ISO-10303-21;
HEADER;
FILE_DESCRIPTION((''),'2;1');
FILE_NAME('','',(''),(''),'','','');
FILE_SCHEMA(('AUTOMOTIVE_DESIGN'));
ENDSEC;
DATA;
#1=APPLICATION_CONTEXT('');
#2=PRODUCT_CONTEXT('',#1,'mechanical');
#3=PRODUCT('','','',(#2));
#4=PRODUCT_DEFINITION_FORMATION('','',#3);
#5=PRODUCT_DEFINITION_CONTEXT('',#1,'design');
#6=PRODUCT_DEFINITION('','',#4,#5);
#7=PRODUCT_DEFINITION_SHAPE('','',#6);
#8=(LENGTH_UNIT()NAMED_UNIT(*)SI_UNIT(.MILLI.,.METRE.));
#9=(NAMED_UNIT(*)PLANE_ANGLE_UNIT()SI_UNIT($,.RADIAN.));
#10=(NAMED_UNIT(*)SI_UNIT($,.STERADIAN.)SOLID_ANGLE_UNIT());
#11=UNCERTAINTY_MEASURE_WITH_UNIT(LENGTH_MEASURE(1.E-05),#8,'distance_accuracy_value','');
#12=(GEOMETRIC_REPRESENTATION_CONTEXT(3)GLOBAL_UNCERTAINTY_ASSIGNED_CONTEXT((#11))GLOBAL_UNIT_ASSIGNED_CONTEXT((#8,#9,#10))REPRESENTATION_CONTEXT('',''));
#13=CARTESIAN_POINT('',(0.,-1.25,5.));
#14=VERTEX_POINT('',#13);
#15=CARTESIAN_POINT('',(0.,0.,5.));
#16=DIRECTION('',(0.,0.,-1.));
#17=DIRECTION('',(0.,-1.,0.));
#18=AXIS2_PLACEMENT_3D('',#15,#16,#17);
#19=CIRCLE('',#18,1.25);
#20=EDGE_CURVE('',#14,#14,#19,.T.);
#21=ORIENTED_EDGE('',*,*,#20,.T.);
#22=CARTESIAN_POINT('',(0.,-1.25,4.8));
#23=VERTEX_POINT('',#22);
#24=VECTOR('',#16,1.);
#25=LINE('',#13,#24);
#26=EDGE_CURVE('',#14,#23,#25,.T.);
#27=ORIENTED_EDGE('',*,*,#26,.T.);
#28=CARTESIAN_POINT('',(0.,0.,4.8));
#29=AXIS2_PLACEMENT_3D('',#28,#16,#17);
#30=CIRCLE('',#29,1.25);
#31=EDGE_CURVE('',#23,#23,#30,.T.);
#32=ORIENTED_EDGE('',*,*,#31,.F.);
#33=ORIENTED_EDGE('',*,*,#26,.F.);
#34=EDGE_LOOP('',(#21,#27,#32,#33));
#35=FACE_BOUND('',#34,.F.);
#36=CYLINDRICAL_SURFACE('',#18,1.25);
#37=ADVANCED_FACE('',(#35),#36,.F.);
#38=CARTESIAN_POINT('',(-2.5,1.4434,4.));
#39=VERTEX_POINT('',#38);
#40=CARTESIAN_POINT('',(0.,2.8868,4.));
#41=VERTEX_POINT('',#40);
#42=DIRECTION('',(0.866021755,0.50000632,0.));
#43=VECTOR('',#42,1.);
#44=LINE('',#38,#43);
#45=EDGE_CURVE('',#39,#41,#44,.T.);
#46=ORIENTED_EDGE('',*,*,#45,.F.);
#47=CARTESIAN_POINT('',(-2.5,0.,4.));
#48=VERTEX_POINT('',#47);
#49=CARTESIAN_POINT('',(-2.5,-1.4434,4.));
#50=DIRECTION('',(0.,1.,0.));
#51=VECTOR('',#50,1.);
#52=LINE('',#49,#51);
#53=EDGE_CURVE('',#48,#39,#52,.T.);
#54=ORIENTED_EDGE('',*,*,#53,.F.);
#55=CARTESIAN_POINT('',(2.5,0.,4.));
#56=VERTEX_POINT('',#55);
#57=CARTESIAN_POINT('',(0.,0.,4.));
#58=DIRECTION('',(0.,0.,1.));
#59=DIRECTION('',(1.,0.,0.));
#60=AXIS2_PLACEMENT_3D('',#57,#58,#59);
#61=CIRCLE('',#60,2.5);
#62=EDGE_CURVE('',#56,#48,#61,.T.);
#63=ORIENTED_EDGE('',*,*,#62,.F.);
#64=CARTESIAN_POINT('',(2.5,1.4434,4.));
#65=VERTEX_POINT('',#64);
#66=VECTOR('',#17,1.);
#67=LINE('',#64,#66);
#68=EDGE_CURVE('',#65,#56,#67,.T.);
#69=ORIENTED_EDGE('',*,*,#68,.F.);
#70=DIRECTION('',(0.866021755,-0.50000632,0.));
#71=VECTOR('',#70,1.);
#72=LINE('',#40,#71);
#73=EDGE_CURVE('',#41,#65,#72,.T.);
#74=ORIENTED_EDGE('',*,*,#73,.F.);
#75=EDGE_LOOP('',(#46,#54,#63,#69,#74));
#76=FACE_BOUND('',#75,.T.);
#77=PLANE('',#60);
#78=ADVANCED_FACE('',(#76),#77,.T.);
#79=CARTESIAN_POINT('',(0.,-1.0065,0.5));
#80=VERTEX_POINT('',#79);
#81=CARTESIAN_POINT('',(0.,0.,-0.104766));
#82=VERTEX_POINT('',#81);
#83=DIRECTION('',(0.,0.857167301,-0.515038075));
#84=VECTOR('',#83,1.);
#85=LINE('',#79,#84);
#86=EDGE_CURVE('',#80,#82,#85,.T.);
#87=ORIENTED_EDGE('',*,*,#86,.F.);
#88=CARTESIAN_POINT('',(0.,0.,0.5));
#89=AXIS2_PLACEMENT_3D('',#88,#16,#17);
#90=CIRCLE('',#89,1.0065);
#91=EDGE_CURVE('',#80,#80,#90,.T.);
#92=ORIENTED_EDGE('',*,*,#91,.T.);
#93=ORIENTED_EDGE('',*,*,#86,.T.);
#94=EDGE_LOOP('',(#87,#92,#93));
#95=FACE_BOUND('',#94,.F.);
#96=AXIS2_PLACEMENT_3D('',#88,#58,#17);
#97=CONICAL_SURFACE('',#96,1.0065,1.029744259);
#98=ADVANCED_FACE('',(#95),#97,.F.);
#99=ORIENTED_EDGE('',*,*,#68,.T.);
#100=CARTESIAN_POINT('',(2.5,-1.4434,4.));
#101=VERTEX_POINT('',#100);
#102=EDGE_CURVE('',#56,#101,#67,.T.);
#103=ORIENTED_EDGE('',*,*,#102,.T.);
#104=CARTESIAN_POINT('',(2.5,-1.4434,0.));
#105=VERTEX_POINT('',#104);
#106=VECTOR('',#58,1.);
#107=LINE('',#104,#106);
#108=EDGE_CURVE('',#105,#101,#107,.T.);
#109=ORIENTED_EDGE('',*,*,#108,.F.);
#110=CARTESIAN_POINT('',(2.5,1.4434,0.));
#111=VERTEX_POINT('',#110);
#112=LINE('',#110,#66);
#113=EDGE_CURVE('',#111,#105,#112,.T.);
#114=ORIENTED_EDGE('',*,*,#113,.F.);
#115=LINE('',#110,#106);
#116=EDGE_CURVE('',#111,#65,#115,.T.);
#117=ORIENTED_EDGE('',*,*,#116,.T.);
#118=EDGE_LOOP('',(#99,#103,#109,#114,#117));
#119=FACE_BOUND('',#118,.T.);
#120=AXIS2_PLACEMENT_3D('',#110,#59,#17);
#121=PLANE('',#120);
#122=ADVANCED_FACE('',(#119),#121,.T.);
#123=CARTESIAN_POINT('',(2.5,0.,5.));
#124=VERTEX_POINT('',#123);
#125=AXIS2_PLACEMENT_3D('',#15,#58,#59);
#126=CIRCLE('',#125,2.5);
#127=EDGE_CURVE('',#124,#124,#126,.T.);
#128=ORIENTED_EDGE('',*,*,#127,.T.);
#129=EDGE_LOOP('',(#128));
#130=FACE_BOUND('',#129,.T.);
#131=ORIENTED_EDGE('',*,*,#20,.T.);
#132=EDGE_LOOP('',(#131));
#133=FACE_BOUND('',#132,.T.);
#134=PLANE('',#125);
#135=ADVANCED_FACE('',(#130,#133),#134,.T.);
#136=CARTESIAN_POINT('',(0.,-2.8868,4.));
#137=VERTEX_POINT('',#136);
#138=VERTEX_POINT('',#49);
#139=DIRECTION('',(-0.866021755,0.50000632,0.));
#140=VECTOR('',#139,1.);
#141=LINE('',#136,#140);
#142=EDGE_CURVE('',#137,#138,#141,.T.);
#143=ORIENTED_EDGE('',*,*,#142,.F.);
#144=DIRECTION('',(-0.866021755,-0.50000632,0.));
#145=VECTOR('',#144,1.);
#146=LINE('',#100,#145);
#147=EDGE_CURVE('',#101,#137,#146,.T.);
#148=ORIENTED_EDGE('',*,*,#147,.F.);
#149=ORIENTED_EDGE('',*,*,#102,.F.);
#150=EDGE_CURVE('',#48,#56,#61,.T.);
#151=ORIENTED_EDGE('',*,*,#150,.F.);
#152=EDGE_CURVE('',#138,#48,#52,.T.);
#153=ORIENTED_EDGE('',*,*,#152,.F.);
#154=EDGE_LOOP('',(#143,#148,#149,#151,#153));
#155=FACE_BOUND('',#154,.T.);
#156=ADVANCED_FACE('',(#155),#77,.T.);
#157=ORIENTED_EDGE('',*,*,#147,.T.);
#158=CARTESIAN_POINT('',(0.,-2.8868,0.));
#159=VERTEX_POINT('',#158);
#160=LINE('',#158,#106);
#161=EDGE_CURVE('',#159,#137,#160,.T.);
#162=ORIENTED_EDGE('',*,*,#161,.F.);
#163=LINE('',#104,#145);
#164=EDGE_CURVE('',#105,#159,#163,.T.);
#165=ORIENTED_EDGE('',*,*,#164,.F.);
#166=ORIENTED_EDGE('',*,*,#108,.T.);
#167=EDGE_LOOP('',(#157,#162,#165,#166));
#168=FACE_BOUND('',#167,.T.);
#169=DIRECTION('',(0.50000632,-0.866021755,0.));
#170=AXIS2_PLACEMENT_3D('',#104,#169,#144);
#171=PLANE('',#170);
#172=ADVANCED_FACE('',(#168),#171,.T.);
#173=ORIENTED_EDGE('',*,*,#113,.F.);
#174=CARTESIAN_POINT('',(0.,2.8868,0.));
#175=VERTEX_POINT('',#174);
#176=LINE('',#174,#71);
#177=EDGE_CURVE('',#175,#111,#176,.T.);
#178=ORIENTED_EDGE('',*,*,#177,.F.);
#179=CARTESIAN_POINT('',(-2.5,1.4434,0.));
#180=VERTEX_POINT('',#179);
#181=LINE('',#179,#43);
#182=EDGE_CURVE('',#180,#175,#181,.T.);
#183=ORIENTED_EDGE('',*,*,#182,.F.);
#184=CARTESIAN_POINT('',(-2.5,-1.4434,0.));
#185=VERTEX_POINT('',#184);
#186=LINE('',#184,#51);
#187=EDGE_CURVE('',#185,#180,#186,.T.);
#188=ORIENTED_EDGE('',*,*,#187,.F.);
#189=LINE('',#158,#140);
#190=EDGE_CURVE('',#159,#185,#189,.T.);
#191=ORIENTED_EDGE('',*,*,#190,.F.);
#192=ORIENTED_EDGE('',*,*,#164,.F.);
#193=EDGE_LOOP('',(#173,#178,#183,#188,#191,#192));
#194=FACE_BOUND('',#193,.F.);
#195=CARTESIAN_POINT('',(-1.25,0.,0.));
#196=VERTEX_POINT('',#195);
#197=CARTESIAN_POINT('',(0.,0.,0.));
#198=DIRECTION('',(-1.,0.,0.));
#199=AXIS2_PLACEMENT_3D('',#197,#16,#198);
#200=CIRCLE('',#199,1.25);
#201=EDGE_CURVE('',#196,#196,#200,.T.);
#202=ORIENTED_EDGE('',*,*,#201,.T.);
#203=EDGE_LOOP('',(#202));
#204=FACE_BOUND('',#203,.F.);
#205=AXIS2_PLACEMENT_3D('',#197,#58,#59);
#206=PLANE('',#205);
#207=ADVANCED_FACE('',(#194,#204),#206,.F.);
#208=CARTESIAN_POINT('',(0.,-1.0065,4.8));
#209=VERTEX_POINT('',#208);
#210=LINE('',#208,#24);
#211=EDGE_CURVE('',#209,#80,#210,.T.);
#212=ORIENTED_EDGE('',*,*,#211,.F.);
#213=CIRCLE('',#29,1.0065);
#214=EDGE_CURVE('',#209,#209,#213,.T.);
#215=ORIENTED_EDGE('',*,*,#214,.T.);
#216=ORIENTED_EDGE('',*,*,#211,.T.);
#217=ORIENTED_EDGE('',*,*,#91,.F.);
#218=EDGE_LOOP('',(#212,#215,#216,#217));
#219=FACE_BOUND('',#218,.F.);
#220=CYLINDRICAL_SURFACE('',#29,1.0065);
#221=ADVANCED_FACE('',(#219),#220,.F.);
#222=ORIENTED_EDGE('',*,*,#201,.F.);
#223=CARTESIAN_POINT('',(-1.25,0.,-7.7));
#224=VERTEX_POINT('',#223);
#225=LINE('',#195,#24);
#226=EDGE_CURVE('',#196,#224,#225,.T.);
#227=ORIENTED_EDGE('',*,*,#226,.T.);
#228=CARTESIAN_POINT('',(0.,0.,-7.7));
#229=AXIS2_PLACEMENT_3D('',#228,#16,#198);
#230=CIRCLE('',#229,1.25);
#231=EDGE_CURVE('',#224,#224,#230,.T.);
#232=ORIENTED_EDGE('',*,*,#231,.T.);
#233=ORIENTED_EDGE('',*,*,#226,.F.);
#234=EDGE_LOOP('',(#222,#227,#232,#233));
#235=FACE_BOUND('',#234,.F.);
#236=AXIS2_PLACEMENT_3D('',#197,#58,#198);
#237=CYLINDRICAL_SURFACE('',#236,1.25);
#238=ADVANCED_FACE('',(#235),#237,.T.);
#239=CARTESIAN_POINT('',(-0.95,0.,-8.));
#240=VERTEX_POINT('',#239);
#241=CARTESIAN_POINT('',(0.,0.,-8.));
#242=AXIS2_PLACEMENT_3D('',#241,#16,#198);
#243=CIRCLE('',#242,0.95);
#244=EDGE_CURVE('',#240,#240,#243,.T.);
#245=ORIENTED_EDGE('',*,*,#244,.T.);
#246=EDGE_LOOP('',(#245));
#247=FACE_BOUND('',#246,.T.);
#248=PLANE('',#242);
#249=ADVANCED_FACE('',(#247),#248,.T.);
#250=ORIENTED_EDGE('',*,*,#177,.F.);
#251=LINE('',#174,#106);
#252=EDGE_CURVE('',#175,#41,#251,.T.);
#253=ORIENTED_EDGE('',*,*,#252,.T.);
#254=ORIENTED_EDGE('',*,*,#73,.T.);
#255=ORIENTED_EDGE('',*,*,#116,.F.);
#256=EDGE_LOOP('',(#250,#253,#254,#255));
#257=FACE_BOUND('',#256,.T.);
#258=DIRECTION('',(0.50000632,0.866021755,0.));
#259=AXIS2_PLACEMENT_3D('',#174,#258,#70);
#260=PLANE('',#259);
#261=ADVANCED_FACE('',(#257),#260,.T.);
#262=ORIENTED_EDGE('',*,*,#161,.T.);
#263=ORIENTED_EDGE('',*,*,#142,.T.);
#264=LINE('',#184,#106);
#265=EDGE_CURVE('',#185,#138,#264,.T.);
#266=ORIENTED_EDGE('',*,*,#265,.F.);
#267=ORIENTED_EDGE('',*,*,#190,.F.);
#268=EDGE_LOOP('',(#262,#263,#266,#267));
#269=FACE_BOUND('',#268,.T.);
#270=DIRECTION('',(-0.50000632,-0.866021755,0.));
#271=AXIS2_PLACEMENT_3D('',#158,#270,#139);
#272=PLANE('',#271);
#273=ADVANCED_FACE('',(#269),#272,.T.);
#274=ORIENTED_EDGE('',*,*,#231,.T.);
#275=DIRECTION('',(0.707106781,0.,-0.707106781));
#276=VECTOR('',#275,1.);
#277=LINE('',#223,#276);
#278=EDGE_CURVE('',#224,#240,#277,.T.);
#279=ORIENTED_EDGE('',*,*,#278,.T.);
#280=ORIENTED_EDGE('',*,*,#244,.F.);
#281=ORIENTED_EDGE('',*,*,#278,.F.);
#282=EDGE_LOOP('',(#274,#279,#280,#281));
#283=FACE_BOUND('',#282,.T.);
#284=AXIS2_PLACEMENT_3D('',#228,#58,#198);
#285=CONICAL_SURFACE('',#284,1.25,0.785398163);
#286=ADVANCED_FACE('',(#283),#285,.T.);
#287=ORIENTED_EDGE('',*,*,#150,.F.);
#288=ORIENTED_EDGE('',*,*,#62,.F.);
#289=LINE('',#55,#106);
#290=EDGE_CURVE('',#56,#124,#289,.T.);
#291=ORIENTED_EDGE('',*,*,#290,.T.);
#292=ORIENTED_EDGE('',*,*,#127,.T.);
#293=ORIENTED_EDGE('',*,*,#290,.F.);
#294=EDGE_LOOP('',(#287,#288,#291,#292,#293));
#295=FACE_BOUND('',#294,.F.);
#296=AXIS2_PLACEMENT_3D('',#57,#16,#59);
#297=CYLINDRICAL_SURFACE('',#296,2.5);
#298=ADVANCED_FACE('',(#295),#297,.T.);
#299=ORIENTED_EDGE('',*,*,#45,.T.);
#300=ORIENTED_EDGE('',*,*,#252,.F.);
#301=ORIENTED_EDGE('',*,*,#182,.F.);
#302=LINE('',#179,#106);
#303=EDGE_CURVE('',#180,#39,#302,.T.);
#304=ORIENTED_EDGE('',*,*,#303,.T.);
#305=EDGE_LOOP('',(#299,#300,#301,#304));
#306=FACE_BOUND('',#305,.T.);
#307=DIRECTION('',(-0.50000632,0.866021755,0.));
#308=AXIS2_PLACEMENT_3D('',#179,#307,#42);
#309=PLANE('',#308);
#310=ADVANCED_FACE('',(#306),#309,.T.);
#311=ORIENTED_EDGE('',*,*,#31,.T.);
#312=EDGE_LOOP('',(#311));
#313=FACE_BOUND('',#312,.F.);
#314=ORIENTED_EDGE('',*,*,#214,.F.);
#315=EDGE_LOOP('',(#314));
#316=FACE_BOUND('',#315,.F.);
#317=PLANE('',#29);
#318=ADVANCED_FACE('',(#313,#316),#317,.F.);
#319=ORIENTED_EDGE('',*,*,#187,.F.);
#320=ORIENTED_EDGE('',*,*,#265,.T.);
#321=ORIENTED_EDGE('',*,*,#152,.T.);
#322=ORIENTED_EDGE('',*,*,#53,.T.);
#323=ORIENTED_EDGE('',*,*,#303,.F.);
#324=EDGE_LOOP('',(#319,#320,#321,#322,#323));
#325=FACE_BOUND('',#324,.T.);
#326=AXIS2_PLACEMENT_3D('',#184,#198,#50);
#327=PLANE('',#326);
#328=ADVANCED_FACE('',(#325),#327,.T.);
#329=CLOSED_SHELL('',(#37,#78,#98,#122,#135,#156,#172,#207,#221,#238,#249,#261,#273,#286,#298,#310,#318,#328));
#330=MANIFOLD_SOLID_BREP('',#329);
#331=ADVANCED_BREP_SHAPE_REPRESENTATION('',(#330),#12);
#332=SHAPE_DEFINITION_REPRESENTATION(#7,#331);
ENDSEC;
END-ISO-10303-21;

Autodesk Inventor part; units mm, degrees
ref_plane "YZ Plane" through (0, 0, 0) normal (1, 0, 0) x (0, 1, 0)
ref_plane "XZ Plane" through (0, 0, 0) normal (0, 1, 0) x (-1, 0, 0)
ref_plane "XY Plane" through (0, 0, 0) normal (0, 0, 1) x (1, 0, 0)
sketch "Skizze1" plane through (0, 0, 0) normal (0, 0, 1) x (1, 0, 0)
  line L0 (0, 2.8868) -> (2.5, 1.4434)
  line L1 (2.5, 1.4434) -> (2.5, -1.4434)
  line L2 (2.5, -1.4434) -> (0, -2.8868)
  line L3 (0, -2.8868) -> (-2.5, -1.4434)
  line L4 (-2.5, -1.4434) -> (-2.5, 1.4434)
  line L5 (-2.5, 1.4434) -> (0, 2.8868)
  point P0 (0, 0)
  point P1 (0, 0)
  dimension "d0" = 5
extrude "Extrusion1" add sketch "Skizze1" along normal blind 4
sketch "Skizze2" plane through (0, 0, 4) normal (0, 0, 1) x (1, 0, 0)
  circle A0 centre (0, 0) radius 2.5
  line L0 (2.5, -1.4434) -> (2.5, 1.4434) projected
extrude "Extrusion2" add sketch "Skizze2" along normal blind 1
sketch "Skizze3" plane through (0, 0, 0) normal (0, 0, -1) x (-1, 0, 0)
  circle A0 centre (0, 0) radius 1.25
  dimension "d6" = 2.5
extrude "Extrusion3" add sketch "Skizze3" along normal blind 8
thread "Gewinde1" size "M2.5x0.45" class "6g" standard "ANSI Metric M Profile" full length
chamfer "Fase1" distance 0.3 angle 45 1 edges at (1.25, 0, -8)
sketch "Skizze4" plane through (0, 0, 5) normal (0, 0, 1) x (1, 0, 0)
  point P0 (0, 0)
  point P1 (0, 0)
hole "Bohrung1" at (0, 0, 5) direction (0, 0, -1) diameter 2.013 depth 4.5 tip angle 118 counterbore diameter 2.5 counterbore depth 0.2 thread size "M2.5x0.45" class "6H" standard "ISO Metric profile"
properties part number "distanzhalter_schraube"
